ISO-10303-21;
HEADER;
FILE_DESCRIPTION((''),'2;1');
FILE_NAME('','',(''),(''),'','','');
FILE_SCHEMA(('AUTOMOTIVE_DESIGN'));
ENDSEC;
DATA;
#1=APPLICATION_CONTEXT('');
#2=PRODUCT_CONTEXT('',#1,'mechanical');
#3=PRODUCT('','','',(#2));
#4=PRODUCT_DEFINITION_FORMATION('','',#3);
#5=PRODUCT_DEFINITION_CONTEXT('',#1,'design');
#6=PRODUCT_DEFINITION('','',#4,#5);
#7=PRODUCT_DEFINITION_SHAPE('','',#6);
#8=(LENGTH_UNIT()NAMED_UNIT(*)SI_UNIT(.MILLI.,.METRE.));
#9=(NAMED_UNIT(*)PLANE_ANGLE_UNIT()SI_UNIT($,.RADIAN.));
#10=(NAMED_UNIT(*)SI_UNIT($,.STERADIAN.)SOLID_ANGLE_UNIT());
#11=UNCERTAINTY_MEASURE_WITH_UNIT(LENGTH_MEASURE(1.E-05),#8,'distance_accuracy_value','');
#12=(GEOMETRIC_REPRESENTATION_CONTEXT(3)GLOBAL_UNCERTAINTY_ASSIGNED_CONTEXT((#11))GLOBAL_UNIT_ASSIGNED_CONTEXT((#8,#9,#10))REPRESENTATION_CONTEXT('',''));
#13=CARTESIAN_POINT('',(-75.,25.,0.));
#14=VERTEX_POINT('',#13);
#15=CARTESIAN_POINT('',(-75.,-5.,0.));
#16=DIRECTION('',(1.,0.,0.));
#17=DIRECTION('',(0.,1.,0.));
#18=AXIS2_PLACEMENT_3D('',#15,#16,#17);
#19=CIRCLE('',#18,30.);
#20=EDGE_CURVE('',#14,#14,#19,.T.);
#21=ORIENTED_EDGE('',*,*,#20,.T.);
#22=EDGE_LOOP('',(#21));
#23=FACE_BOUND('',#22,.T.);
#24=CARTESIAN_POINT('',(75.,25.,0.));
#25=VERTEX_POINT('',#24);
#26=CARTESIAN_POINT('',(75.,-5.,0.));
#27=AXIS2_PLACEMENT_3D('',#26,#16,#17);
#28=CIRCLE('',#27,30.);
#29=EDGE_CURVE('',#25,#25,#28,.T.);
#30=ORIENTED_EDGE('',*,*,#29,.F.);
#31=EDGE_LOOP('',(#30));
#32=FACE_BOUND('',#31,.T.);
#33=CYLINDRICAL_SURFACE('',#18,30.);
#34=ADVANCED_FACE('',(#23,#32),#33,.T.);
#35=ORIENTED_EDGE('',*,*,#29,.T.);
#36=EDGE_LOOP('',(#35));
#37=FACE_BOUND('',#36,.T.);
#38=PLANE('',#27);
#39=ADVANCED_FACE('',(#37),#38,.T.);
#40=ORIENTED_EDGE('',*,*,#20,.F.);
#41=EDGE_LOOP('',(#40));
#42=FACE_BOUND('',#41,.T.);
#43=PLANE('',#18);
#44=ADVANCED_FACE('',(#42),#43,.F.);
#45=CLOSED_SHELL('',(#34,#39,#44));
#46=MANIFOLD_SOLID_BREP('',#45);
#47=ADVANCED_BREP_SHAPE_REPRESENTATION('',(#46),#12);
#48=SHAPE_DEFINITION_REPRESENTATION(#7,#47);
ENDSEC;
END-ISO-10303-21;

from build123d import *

# Parameters (mm, degrees)
SWEEP1_PROFILE_R = 30


with BuildPart() as part:
    # Sweep1: sweep along a path in Sketch2
    with BuildLine(Plane.XY) as sweep1_path:
        Line((-75, -5), (75, -5))
    # Sweep1 profile (on start of the path) → Sweep1 (sweep)
    with BuildSketch(Plane(origin=(-75, -5, 0), x_dir=(0, 1, 0), z_dir=(1, 0, 0))):
        Circle(SWEEP1_PROFILE_R)
    sweep(path=sweep1_path.line)


solid = part.part
